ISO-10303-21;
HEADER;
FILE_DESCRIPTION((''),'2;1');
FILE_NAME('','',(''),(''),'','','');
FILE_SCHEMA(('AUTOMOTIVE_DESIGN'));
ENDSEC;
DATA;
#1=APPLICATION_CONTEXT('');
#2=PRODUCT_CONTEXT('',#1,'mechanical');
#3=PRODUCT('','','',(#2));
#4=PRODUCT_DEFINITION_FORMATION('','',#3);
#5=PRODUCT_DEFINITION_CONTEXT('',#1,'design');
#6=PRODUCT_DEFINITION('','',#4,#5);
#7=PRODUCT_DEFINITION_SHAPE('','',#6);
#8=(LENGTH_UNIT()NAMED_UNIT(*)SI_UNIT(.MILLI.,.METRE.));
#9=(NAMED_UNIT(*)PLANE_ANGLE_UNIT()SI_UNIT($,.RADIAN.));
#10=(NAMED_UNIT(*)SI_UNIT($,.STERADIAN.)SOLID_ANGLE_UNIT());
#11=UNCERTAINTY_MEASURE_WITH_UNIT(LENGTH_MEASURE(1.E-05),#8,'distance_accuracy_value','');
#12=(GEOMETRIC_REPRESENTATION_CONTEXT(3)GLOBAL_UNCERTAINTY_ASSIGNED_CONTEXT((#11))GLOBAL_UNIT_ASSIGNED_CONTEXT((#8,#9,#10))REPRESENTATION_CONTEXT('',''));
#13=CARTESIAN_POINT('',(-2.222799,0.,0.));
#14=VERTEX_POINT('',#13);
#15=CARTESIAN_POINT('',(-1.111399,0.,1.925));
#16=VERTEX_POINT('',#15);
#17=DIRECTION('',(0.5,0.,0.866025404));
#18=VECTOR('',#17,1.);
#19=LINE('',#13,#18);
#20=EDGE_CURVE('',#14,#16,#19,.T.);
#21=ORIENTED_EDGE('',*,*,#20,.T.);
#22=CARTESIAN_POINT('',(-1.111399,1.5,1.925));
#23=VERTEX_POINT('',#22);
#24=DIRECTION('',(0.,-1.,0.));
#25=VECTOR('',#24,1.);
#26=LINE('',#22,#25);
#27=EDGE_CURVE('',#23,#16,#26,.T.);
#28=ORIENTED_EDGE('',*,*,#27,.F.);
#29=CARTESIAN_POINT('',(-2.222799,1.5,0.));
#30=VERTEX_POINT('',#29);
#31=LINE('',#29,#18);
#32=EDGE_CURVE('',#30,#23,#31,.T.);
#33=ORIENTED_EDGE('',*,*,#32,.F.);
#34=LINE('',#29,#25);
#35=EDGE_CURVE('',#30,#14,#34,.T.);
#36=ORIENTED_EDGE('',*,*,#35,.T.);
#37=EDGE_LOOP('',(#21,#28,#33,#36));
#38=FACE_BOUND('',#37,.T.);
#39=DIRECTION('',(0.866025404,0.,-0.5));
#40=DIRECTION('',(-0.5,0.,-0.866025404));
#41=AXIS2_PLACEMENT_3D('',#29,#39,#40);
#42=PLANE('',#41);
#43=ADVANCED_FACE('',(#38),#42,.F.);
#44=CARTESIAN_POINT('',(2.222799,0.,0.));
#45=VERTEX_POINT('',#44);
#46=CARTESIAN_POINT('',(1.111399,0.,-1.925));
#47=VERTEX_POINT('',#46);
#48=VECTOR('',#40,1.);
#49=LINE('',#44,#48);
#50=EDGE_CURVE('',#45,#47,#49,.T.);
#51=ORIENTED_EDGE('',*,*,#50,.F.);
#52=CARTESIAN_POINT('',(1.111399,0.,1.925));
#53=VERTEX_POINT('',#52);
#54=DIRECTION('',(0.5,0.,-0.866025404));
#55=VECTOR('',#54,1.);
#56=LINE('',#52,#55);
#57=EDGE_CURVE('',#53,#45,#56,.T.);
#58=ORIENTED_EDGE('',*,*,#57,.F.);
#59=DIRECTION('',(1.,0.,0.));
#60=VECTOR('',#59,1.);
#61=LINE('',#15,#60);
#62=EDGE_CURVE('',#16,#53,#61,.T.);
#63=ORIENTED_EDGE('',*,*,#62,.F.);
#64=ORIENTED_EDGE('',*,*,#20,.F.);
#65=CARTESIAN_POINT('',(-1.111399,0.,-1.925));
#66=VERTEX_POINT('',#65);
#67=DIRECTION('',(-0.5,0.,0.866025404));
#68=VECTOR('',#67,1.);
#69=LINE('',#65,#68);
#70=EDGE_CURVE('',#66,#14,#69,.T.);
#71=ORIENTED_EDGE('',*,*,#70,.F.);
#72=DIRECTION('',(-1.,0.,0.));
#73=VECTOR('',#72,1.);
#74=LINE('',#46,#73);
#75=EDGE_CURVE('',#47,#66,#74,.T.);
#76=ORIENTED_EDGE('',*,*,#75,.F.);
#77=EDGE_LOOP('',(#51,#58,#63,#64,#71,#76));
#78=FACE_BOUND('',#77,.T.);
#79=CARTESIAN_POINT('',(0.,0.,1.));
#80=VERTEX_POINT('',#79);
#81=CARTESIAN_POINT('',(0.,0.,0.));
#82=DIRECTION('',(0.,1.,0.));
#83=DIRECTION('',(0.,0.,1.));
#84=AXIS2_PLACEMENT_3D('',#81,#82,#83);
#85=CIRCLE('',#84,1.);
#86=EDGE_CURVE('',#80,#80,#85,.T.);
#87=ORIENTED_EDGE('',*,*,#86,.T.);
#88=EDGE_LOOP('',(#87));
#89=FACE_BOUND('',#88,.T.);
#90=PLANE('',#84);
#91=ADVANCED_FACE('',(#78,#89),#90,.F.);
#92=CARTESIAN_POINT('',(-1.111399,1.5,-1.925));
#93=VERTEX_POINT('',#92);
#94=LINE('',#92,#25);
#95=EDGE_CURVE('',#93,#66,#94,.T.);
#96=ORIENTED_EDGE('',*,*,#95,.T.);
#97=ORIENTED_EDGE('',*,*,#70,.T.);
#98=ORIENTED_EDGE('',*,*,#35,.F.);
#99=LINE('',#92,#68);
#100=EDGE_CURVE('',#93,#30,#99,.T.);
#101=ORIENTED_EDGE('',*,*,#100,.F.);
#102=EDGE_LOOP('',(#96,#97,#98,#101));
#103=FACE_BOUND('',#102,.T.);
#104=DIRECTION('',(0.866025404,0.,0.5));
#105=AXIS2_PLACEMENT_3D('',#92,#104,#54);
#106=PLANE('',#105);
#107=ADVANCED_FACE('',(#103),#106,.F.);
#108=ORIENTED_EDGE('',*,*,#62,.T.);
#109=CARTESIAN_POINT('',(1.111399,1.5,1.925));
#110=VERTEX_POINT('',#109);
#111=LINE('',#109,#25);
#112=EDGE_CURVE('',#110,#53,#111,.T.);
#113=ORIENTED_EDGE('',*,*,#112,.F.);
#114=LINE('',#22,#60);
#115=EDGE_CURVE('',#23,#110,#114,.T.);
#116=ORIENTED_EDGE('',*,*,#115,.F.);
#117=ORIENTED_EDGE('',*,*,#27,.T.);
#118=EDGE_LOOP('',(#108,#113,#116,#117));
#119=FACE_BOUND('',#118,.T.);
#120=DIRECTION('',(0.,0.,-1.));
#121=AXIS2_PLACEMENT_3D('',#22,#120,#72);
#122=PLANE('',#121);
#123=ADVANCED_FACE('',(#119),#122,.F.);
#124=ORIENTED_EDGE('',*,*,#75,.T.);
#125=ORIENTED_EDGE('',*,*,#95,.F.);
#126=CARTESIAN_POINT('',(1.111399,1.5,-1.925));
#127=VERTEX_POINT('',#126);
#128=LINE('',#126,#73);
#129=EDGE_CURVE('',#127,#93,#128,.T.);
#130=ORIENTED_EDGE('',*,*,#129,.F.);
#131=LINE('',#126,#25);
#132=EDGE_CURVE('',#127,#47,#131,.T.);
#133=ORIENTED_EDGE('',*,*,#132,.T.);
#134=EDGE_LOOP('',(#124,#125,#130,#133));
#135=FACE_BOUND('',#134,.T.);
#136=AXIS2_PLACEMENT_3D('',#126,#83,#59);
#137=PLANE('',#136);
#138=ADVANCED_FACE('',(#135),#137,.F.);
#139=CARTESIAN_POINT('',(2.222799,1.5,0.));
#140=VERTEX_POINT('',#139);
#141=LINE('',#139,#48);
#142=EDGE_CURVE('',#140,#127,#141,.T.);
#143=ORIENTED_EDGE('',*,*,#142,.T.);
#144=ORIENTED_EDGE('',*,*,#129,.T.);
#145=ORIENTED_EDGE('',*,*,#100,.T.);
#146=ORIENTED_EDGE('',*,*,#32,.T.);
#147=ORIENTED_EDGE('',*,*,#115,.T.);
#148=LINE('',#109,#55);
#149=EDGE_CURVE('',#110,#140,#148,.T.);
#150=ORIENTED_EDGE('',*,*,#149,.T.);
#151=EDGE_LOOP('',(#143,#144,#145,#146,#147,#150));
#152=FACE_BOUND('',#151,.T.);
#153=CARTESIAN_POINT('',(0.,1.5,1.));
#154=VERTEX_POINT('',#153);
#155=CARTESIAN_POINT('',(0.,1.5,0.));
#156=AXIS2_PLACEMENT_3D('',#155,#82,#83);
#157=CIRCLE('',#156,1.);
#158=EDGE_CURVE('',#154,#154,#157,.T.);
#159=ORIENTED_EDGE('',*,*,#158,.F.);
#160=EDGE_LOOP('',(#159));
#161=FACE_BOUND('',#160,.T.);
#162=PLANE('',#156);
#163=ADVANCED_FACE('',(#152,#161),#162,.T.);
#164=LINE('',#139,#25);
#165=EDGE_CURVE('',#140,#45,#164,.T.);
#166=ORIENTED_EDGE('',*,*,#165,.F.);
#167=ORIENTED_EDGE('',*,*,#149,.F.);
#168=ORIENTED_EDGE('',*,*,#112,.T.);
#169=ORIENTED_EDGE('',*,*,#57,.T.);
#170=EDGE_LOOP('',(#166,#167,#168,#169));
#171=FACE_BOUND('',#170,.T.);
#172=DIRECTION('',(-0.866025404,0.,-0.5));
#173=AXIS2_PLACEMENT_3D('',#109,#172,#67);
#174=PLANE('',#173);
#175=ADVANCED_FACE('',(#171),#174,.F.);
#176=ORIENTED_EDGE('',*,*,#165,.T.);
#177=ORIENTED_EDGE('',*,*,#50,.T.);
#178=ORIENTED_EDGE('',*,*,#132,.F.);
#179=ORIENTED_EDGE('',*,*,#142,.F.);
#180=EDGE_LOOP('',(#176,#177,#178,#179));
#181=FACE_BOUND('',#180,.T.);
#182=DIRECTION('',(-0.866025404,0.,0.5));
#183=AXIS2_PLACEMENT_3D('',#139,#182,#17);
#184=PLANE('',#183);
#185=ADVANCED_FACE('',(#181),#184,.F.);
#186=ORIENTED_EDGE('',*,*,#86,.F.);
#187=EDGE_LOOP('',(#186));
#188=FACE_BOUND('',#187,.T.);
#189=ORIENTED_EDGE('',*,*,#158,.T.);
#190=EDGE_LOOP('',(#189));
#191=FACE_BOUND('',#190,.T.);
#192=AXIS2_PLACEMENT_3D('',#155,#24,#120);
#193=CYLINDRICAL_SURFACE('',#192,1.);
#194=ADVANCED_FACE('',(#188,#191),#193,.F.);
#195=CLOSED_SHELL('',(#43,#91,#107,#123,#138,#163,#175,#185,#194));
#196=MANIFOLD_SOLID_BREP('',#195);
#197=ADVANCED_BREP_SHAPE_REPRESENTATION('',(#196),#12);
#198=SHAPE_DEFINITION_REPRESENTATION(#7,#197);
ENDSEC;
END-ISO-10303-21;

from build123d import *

# Parameters (mm, degrees)
SKETCH1_R           = 1
BOSS_EXTRUDE1_DEPTH = 1.5


with BuildPart() as part:
    # Sketch1 → Boss-Extrude1 (new body)
    with BuildSketch(Plane(origin=(0, 0, 0), x_dir=(1, 0, 0), z_dir=(0, 1, 0))):
        Polygon((1.111399268, 1.925), (-1.111399268, 1.925), (-2.222798536, 0), (-1.111399268, -1.925), (1.111399268, -1.925), (2.222798536, 0), align=None)
        with Locations(Location((0, 0, 0), (0, 0, 270))):
            Circle(SKETCH1_R, mode=Mode.SUBTRACT)
    extrude(amount=BOSS_EXTRUDE1_DEPTH)


solid = part.part
